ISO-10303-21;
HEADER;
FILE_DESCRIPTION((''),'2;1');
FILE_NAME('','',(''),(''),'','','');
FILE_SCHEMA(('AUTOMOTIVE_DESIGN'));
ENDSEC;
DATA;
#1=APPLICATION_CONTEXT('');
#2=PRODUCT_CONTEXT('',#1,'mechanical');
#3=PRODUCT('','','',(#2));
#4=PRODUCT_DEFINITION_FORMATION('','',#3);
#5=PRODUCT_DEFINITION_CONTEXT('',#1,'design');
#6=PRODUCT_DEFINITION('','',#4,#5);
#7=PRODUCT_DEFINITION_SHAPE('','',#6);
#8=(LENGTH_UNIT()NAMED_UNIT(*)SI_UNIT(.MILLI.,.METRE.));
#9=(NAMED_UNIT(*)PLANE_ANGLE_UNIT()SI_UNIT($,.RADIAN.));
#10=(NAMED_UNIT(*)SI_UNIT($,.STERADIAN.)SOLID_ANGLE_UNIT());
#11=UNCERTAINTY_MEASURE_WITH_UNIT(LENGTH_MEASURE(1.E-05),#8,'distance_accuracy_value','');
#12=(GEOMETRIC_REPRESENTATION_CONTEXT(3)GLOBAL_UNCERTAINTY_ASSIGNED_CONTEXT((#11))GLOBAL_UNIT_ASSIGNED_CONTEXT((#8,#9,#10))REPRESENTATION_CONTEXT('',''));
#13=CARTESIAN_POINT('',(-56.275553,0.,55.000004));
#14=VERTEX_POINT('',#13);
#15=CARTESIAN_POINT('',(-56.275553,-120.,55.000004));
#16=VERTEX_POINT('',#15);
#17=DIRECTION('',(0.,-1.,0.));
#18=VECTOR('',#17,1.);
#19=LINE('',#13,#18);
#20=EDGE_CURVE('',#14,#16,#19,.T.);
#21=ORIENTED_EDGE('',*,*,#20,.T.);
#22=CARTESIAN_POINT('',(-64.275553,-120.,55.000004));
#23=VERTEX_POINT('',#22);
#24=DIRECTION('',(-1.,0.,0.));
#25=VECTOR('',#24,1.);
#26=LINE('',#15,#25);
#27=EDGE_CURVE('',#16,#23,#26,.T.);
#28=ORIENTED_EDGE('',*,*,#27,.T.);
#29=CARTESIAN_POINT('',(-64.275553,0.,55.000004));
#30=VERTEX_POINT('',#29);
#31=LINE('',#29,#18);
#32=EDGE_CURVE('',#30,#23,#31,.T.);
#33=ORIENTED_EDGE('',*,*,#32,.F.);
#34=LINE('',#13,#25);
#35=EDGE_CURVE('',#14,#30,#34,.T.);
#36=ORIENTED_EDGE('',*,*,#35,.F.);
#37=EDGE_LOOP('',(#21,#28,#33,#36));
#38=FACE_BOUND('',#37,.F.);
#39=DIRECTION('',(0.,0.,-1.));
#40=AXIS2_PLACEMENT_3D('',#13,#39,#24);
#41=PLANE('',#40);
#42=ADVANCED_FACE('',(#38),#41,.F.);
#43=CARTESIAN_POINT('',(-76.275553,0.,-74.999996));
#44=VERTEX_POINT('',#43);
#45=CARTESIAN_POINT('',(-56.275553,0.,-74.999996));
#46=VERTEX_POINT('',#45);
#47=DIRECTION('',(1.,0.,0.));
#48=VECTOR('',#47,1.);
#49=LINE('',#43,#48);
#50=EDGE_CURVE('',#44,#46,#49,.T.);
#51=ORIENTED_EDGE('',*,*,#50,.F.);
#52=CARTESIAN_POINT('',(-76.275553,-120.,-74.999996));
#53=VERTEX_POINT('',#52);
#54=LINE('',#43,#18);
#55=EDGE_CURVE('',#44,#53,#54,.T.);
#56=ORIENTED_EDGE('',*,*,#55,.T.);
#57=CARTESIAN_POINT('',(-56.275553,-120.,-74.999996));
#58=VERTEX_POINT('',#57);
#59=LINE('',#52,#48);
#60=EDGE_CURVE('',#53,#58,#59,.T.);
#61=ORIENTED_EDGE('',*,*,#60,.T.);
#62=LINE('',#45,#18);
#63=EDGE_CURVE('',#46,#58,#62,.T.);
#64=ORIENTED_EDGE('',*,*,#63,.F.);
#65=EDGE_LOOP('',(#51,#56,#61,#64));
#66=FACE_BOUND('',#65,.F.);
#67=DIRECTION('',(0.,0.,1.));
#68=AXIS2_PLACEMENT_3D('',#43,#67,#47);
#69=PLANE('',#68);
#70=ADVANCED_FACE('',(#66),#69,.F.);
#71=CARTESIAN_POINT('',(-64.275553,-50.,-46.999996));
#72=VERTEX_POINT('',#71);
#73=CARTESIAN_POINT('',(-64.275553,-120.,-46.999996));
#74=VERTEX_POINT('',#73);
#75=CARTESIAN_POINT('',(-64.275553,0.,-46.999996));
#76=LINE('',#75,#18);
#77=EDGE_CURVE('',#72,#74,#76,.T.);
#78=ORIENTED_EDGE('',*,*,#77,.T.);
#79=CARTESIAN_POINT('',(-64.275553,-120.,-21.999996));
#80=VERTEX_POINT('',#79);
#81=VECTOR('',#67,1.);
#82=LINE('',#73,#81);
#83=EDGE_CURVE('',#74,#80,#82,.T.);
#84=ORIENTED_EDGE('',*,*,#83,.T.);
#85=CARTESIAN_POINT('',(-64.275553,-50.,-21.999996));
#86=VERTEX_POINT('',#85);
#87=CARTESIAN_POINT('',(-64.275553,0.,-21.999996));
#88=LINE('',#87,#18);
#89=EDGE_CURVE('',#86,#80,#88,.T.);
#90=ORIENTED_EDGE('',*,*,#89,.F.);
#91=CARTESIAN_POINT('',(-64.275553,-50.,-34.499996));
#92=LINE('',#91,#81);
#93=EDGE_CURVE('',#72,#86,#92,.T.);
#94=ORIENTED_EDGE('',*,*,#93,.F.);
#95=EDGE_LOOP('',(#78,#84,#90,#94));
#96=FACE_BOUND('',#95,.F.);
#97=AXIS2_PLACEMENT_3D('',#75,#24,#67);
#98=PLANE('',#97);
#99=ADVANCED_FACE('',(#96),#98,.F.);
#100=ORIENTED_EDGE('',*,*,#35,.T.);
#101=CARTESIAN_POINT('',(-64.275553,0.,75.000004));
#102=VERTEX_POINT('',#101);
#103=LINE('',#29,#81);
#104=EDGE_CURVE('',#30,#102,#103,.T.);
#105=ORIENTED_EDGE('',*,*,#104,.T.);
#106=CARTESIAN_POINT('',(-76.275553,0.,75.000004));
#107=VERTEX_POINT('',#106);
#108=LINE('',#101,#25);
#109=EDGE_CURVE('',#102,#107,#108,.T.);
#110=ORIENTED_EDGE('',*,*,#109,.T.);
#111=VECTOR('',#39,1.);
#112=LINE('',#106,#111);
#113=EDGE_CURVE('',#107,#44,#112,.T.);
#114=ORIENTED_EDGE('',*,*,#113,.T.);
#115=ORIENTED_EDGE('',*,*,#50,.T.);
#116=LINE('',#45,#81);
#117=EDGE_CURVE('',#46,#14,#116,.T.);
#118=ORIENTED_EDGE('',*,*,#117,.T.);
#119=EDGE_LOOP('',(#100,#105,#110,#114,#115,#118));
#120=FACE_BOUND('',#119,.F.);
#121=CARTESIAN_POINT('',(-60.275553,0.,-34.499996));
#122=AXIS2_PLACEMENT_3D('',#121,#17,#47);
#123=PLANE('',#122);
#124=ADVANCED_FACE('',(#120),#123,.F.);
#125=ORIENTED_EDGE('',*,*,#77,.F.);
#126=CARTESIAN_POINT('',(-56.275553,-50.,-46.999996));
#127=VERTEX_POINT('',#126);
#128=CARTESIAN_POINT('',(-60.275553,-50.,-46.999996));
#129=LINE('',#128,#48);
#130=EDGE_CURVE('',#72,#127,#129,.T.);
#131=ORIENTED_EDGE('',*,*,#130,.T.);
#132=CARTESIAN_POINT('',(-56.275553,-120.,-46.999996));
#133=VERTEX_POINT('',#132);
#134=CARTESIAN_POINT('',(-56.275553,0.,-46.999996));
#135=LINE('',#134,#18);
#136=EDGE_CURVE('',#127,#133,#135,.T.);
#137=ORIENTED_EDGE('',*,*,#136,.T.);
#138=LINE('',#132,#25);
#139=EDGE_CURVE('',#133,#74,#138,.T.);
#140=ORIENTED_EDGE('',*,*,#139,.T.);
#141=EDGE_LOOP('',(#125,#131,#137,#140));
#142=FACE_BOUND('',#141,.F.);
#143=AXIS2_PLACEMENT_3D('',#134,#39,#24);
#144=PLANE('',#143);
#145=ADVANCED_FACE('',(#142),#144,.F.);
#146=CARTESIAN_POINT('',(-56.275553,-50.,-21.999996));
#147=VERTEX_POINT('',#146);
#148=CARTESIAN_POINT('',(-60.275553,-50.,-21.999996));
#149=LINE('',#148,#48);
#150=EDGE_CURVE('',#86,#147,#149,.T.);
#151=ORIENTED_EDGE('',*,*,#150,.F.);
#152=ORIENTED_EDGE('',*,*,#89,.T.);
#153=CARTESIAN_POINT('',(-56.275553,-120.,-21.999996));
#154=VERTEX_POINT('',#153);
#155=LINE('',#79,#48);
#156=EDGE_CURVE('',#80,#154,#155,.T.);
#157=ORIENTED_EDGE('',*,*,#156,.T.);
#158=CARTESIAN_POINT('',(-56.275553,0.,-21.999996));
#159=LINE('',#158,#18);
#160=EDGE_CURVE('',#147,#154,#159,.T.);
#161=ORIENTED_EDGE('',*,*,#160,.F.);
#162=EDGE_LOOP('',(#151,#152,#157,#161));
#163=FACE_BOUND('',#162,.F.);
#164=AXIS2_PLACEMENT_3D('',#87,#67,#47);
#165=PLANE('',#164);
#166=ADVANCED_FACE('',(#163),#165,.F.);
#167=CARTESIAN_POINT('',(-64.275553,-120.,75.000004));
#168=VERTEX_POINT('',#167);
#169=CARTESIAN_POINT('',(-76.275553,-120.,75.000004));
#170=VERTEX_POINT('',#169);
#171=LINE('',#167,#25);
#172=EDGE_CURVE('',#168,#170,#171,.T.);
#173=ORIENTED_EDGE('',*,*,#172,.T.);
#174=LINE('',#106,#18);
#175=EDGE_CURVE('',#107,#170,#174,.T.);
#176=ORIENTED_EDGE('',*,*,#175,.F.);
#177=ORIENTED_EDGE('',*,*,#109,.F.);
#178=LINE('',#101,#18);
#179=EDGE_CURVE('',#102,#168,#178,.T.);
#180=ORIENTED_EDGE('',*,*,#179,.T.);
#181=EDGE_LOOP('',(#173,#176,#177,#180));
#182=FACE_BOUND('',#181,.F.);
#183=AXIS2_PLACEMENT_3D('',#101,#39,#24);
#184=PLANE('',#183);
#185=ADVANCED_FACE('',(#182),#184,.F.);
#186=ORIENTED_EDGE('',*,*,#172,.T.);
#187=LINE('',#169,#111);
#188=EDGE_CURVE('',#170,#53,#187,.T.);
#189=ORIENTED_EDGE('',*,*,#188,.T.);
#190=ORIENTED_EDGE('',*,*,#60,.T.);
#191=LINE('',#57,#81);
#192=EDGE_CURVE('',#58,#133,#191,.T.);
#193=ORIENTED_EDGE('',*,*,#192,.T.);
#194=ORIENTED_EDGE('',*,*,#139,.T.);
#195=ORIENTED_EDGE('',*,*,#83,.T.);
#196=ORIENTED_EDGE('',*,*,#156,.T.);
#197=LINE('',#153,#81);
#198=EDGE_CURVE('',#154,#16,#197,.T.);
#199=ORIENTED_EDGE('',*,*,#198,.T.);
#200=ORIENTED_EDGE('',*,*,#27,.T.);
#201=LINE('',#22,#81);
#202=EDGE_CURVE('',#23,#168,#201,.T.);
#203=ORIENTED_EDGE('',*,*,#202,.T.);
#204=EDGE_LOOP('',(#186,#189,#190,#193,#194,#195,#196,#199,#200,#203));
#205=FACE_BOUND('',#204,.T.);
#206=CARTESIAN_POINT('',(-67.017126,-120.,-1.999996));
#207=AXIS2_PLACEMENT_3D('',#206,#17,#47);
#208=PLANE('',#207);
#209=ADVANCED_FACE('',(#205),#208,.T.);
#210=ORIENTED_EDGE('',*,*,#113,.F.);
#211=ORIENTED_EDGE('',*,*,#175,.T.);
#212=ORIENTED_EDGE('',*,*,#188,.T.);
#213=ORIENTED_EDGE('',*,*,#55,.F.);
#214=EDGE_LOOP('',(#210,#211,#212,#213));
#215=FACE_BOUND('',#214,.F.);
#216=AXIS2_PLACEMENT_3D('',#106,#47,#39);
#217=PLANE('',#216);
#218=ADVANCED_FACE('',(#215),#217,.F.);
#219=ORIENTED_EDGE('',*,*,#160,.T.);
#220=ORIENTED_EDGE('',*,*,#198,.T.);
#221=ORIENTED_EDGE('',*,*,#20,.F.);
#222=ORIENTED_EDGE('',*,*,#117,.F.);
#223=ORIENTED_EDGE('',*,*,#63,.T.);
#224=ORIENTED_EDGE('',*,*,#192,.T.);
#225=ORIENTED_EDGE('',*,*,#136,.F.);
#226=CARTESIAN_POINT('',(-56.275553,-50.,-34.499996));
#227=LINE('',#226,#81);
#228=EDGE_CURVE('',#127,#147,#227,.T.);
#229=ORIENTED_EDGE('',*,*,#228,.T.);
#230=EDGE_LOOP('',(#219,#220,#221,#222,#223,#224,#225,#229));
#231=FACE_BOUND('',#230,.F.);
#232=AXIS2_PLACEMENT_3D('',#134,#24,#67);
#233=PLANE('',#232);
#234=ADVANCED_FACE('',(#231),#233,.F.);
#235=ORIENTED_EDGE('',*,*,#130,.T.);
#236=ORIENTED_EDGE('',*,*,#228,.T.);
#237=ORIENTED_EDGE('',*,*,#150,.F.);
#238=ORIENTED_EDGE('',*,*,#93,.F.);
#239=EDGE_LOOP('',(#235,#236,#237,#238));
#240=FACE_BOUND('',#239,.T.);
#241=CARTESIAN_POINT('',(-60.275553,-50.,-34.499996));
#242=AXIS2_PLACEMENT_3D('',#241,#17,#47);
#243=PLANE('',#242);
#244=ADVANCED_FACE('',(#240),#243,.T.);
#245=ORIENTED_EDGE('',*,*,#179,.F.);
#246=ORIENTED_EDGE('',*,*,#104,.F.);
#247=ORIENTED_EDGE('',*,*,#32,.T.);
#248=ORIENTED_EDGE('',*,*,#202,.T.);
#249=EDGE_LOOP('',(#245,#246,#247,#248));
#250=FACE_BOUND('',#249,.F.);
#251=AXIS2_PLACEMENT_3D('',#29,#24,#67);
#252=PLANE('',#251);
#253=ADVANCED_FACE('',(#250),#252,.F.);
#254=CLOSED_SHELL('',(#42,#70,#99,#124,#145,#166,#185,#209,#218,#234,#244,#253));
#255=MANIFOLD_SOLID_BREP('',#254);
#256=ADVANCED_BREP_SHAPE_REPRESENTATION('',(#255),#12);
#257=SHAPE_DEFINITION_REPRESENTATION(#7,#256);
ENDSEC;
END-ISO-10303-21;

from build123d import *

# Parameters (mm, degrees)
F1_DEPTH = 120
F0_W     = 8
F0_H     = 25
F2_DEPTH = 50


with BuildPart() as f1:
    # F0 (on Front) → F1 (new body)
    with BuildSketch(Plane.XZ):
        Polygon((-64.275553, 75.000004), (-76.275553, 75.000004), (-76.275553, -74.999996), (-56.275553, -74.999996), (-56.275553, -46.999996), (-64.275553, -46.999996), (-64.275553, -21.999996), (-56.275553, -21.999996), (-56.275553, 55.000004), (-64.275553, 55.000004), align=None)
    extrude(amount=F1_DEPTH)

    # F0 (on Front) → F2 (join)
    with BuildSketch(Plane.XZ):
        with Locations((-60.275553, -34.499996)):
            Rectangle(F0_W, F0_H)
    extrude(amount=F2_DEPTH)


solid = f1.part
